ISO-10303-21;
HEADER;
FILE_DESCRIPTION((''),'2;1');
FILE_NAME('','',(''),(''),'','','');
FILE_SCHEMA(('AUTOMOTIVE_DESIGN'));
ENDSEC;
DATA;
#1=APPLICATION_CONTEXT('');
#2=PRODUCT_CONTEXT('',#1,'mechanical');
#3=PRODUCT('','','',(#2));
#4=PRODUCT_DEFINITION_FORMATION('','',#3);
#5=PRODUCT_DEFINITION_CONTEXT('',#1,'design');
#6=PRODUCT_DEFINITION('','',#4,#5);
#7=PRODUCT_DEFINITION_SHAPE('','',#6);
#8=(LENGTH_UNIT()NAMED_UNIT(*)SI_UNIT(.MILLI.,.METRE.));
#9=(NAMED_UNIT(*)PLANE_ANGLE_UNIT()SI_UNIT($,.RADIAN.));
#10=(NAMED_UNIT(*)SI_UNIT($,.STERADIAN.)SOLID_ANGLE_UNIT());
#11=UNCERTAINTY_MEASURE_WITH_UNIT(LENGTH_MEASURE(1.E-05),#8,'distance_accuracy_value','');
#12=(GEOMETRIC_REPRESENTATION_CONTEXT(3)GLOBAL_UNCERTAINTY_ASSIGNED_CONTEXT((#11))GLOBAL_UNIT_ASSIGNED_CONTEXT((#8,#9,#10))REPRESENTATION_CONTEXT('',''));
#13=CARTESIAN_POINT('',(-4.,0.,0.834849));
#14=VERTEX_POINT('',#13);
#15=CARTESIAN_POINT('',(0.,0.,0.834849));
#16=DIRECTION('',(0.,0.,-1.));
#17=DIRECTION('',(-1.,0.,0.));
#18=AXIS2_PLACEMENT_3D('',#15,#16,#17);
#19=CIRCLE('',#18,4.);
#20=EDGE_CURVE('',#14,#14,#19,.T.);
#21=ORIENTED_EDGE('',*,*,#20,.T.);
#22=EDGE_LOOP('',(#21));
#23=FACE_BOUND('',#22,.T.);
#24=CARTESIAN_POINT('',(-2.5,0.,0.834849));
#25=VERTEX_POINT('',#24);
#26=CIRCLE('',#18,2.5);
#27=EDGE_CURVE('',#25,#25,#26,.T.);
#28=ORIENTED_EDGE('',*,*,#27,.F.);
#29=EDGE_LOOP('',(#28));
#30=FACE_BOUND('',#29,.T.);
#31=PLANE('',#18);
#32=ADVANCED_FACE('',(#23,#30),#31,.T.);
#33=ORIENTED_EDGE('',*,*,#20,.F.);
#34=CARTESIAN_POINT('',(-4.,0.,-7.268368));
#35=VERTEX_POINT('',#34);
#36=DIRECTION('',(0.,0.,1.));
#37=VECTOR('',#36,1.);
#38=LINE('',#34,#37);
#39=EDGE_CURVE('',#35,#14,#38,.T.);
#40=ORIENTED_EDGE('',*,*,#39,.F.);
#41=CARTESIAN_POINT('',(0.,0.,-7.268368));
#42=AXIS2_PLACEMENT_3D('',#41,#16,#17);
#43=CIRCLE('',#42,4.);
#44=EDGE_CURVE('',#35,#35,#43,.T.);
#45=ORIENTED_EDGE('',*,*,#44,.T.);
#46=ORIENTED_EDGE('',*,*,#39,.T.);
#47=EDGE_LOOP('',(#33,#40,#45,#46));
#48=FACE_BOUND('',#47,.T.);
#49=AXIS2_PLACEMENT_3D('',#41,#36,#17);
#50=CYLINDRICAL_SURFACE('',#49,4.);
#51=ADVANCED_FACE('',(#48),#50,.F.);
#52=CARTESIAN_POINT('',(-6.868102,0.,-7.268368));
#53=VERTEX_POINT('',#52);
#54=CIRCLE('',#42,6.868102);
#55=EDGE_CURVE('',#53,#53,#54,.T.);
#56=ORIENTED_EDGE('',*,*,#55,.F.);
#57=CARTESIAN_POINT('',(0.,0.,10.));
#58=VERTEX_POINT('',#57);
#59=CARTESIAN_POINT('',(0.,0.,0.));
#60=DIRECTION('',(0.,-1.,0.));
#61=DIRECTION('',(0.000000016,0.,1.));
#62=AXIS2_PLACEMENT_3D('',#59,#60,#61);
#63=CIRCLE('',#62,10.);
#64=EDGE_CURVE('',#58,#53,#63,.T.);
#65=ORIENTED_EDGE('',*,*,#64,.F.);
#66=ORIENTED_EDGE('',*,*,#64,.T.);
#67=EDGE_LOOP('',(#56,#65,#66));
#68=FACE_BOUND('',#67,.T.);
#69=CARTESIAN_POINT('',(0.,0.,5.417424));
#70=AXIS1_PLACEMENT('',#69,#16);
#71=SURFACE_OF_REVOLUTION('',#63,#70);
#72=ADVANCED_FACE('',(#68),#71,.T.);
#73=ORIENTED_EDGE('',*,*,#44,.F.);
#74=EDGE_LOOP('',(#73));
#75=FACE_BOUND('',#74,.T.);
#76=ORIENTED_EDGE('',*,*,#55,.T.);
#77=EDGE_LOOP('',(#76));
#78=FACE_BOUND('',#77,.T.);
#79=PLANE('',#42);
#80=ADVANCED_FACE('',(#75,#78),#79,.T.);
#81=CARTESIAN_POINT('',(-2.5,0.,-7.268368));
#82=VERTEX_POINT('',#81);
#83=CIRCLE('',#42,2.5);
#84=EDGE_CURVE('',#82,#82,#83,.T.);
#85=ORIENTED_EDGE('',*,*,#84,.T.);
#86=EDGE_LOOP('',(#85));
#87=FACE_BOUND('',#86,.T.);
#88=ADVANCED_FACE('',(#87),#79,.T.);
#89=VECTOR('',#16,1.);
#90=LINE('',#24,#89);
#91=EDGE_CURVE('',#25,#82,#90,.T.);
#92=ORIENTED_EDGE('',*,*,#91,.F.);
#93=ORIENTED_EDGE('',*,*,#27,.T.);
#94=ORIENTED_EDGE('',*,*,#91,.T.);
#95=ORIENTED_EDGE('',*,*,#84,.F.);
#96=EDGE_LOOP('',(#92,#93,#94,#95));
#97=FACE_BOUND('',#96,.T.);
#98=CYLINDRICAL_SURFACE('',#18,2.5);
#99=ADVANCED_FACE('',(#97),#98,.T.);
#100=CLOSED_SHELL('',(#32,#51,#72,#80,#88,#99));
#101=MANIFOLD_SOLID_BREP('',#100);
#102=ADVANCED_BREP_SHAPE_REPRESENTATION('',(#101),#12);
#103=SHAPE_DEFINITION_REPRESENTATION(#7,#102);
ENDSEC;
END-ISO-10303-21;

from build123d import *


with BuildPart() as f1:
    # F0 (on Front) → F1 (revolve)
    with BuildSketch(Plane.XZ):
        with BuildLine():
            Line((0, 0.834849), (0, 10))
            ThreePointArc((0, 10), (-9.292031, 3.695695), (-6.868102, -7.268368))
            Line((-6.868102, -7.268368), (-4, -7.268368))
            Line((-4, -7.268368), (-4, 0.834849))
            Line((-4, 0.834849), (-2.5, 0.834849))
            Line((-2.5, 0.834849), (-2.5, -7.268368))
            Line((-2.5, -7.268368), (0, -7.268368))
            Line((0, -7.268368), (0, 0.834849))
        make_face()
    revolve(axis=Axis((0, 0, 5.417424), (0, 0, -1)))


solid = f1.part
